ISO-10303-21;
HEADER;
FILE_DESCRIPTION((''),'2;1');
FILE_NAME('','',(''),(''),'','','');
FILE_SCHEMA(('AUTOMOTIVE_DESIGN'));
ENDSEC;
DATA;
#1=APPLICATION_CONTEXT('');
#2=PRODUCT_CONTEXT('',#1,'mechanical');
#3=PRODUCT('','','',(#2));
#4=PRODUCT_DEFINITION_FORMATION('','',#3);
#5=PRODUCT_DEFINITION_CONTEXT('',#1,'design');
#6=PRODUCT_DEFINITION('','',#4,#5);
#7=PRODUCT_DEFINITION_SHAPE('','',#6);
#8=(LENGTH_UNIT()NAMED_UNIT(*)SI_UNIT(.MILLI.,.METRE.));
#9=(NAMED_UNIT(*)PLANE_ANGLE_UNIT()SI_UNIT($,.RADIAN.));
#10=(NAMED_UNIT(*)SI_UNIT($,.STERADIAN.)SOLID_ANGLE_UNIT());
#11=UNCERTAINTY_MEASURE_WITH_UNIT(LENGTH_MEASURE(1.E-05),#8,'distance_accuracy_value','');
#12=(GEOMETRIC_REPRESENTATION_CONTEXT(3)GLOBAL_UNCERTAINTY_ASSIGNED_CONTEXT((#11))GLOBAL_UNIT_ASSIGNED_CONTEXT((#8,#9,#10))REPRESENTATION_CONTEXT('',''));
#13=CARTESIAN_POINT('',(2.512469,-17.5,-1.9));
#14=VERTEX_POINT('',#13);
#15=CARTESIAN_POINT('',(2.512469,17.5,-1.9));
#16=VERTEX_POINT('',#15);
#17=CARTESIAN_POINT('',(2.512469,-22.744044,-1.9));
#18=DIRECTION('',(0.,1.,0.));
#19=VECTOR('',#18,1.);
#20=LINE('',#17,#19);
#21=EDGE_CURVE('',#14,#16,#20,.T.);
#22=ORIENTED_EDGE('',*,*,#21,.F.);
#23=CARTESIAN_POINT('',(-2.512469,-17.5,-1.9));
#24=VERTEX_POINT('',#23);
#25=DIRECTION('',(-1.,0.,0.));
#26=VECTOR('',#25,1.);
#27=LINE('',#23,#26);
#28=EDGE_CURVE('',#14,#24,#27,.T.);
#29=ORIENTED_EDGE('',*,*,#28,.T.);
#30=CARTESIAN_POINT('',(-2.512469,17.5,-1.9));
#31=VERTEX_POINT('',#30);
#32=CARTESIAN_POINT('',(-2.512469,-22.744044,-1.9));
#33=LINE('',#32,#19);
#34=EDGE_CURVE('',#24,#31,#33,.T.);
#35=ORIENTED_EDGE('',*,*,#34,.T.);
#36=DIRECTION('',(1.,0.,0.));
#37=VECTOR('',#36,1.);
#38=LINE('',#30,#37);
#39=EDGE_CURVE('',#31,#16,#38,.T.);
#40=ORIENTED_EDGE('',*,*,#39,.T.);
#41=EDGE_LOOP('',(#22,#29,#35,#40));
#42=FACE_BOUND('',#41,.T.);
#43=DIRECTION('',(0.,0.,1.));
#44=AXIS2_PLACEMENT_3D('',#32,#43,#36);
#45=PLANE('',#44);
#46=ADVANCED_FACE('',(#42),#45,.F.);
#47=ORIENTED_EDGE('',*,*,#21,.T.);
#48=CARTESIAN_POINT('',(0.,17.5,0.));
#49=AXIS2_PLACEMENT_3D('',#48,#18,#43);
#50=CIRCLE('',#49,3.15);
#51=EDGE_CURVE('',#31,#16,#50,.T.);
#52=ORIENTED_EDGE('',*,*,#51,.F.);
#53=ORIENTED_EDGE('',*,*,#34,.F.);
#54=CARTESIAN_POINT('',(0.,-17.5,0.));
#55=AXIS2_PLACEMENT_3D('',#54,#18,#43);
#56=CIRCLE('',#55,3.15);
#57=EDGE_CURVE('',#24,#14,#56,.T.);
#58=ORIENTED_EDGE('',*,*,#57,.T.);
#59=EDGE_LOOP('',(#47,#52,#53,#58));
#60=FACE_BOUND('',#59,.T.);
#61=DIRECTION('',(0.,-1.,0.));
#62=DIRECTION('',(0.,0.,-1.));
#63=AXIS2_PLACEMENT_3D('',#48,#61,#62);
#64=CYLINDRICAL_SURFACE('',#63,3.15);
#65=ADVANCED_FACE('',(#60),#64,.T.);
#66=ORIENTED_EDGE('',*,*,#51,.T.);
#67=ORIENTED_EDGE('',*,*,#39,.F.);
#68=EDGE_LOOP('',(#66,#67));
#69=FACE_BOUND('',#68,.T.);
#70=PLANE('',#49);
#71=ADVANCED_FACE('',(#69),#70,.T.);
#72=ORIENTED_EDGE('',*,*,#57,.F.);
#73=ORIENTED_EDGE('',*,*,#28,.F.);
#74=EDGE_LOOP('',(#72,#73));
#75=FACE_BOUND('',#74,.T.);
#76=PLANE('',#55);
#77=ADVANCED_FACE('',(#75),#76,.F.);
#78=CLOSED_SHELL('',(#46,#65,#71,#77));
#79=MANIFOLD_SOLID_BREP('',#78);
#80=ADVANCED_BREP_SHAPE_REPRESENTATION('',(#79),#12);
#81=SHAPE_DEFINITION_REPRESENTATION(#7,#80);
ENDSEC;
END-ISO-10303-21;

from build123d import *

# Parameters (mm, degrees)
ESQUISSE1_R        = 3.15
BOSS_EXTRU_1_DEPTH = 17.5
SKETCH1_W          = 5.02493781
SKETCH1_H          = 1.5
CUT_EXTRUDE1_DEPTH = 35


with BuildPart() as part:
    # Esquisse1 → Boss.-Extru.1 (new, symmetric)
    with BuildSketch(Plane(origin=(0, 0, 0), x_dir=(1, 0, 0), z_dir=(0, 1, 0))):
        with Locations(Location((0, 0, 0), (0, 0, 270))):
            Circle(ESQUISSE1_R)
    extrude(amount=BOSS_EXTRU_1_DEPTH, both=True)

    # Sketch1 → Cut-Extrude1 (cut)
    with BuildSketch(Plane(origin=(0, 17.5, 0), x_dir=(1, 0, 0), z_dir=(0, 1, 0))):
        with Locations((0, 2.65)):
            Rectangle(SKETCH1_W, SKETCH1_H)
    extrude(amount=-CUT_EXTRUDE1_DEPTH, mode=Mode.SUBTRACT)


solid = part.part
